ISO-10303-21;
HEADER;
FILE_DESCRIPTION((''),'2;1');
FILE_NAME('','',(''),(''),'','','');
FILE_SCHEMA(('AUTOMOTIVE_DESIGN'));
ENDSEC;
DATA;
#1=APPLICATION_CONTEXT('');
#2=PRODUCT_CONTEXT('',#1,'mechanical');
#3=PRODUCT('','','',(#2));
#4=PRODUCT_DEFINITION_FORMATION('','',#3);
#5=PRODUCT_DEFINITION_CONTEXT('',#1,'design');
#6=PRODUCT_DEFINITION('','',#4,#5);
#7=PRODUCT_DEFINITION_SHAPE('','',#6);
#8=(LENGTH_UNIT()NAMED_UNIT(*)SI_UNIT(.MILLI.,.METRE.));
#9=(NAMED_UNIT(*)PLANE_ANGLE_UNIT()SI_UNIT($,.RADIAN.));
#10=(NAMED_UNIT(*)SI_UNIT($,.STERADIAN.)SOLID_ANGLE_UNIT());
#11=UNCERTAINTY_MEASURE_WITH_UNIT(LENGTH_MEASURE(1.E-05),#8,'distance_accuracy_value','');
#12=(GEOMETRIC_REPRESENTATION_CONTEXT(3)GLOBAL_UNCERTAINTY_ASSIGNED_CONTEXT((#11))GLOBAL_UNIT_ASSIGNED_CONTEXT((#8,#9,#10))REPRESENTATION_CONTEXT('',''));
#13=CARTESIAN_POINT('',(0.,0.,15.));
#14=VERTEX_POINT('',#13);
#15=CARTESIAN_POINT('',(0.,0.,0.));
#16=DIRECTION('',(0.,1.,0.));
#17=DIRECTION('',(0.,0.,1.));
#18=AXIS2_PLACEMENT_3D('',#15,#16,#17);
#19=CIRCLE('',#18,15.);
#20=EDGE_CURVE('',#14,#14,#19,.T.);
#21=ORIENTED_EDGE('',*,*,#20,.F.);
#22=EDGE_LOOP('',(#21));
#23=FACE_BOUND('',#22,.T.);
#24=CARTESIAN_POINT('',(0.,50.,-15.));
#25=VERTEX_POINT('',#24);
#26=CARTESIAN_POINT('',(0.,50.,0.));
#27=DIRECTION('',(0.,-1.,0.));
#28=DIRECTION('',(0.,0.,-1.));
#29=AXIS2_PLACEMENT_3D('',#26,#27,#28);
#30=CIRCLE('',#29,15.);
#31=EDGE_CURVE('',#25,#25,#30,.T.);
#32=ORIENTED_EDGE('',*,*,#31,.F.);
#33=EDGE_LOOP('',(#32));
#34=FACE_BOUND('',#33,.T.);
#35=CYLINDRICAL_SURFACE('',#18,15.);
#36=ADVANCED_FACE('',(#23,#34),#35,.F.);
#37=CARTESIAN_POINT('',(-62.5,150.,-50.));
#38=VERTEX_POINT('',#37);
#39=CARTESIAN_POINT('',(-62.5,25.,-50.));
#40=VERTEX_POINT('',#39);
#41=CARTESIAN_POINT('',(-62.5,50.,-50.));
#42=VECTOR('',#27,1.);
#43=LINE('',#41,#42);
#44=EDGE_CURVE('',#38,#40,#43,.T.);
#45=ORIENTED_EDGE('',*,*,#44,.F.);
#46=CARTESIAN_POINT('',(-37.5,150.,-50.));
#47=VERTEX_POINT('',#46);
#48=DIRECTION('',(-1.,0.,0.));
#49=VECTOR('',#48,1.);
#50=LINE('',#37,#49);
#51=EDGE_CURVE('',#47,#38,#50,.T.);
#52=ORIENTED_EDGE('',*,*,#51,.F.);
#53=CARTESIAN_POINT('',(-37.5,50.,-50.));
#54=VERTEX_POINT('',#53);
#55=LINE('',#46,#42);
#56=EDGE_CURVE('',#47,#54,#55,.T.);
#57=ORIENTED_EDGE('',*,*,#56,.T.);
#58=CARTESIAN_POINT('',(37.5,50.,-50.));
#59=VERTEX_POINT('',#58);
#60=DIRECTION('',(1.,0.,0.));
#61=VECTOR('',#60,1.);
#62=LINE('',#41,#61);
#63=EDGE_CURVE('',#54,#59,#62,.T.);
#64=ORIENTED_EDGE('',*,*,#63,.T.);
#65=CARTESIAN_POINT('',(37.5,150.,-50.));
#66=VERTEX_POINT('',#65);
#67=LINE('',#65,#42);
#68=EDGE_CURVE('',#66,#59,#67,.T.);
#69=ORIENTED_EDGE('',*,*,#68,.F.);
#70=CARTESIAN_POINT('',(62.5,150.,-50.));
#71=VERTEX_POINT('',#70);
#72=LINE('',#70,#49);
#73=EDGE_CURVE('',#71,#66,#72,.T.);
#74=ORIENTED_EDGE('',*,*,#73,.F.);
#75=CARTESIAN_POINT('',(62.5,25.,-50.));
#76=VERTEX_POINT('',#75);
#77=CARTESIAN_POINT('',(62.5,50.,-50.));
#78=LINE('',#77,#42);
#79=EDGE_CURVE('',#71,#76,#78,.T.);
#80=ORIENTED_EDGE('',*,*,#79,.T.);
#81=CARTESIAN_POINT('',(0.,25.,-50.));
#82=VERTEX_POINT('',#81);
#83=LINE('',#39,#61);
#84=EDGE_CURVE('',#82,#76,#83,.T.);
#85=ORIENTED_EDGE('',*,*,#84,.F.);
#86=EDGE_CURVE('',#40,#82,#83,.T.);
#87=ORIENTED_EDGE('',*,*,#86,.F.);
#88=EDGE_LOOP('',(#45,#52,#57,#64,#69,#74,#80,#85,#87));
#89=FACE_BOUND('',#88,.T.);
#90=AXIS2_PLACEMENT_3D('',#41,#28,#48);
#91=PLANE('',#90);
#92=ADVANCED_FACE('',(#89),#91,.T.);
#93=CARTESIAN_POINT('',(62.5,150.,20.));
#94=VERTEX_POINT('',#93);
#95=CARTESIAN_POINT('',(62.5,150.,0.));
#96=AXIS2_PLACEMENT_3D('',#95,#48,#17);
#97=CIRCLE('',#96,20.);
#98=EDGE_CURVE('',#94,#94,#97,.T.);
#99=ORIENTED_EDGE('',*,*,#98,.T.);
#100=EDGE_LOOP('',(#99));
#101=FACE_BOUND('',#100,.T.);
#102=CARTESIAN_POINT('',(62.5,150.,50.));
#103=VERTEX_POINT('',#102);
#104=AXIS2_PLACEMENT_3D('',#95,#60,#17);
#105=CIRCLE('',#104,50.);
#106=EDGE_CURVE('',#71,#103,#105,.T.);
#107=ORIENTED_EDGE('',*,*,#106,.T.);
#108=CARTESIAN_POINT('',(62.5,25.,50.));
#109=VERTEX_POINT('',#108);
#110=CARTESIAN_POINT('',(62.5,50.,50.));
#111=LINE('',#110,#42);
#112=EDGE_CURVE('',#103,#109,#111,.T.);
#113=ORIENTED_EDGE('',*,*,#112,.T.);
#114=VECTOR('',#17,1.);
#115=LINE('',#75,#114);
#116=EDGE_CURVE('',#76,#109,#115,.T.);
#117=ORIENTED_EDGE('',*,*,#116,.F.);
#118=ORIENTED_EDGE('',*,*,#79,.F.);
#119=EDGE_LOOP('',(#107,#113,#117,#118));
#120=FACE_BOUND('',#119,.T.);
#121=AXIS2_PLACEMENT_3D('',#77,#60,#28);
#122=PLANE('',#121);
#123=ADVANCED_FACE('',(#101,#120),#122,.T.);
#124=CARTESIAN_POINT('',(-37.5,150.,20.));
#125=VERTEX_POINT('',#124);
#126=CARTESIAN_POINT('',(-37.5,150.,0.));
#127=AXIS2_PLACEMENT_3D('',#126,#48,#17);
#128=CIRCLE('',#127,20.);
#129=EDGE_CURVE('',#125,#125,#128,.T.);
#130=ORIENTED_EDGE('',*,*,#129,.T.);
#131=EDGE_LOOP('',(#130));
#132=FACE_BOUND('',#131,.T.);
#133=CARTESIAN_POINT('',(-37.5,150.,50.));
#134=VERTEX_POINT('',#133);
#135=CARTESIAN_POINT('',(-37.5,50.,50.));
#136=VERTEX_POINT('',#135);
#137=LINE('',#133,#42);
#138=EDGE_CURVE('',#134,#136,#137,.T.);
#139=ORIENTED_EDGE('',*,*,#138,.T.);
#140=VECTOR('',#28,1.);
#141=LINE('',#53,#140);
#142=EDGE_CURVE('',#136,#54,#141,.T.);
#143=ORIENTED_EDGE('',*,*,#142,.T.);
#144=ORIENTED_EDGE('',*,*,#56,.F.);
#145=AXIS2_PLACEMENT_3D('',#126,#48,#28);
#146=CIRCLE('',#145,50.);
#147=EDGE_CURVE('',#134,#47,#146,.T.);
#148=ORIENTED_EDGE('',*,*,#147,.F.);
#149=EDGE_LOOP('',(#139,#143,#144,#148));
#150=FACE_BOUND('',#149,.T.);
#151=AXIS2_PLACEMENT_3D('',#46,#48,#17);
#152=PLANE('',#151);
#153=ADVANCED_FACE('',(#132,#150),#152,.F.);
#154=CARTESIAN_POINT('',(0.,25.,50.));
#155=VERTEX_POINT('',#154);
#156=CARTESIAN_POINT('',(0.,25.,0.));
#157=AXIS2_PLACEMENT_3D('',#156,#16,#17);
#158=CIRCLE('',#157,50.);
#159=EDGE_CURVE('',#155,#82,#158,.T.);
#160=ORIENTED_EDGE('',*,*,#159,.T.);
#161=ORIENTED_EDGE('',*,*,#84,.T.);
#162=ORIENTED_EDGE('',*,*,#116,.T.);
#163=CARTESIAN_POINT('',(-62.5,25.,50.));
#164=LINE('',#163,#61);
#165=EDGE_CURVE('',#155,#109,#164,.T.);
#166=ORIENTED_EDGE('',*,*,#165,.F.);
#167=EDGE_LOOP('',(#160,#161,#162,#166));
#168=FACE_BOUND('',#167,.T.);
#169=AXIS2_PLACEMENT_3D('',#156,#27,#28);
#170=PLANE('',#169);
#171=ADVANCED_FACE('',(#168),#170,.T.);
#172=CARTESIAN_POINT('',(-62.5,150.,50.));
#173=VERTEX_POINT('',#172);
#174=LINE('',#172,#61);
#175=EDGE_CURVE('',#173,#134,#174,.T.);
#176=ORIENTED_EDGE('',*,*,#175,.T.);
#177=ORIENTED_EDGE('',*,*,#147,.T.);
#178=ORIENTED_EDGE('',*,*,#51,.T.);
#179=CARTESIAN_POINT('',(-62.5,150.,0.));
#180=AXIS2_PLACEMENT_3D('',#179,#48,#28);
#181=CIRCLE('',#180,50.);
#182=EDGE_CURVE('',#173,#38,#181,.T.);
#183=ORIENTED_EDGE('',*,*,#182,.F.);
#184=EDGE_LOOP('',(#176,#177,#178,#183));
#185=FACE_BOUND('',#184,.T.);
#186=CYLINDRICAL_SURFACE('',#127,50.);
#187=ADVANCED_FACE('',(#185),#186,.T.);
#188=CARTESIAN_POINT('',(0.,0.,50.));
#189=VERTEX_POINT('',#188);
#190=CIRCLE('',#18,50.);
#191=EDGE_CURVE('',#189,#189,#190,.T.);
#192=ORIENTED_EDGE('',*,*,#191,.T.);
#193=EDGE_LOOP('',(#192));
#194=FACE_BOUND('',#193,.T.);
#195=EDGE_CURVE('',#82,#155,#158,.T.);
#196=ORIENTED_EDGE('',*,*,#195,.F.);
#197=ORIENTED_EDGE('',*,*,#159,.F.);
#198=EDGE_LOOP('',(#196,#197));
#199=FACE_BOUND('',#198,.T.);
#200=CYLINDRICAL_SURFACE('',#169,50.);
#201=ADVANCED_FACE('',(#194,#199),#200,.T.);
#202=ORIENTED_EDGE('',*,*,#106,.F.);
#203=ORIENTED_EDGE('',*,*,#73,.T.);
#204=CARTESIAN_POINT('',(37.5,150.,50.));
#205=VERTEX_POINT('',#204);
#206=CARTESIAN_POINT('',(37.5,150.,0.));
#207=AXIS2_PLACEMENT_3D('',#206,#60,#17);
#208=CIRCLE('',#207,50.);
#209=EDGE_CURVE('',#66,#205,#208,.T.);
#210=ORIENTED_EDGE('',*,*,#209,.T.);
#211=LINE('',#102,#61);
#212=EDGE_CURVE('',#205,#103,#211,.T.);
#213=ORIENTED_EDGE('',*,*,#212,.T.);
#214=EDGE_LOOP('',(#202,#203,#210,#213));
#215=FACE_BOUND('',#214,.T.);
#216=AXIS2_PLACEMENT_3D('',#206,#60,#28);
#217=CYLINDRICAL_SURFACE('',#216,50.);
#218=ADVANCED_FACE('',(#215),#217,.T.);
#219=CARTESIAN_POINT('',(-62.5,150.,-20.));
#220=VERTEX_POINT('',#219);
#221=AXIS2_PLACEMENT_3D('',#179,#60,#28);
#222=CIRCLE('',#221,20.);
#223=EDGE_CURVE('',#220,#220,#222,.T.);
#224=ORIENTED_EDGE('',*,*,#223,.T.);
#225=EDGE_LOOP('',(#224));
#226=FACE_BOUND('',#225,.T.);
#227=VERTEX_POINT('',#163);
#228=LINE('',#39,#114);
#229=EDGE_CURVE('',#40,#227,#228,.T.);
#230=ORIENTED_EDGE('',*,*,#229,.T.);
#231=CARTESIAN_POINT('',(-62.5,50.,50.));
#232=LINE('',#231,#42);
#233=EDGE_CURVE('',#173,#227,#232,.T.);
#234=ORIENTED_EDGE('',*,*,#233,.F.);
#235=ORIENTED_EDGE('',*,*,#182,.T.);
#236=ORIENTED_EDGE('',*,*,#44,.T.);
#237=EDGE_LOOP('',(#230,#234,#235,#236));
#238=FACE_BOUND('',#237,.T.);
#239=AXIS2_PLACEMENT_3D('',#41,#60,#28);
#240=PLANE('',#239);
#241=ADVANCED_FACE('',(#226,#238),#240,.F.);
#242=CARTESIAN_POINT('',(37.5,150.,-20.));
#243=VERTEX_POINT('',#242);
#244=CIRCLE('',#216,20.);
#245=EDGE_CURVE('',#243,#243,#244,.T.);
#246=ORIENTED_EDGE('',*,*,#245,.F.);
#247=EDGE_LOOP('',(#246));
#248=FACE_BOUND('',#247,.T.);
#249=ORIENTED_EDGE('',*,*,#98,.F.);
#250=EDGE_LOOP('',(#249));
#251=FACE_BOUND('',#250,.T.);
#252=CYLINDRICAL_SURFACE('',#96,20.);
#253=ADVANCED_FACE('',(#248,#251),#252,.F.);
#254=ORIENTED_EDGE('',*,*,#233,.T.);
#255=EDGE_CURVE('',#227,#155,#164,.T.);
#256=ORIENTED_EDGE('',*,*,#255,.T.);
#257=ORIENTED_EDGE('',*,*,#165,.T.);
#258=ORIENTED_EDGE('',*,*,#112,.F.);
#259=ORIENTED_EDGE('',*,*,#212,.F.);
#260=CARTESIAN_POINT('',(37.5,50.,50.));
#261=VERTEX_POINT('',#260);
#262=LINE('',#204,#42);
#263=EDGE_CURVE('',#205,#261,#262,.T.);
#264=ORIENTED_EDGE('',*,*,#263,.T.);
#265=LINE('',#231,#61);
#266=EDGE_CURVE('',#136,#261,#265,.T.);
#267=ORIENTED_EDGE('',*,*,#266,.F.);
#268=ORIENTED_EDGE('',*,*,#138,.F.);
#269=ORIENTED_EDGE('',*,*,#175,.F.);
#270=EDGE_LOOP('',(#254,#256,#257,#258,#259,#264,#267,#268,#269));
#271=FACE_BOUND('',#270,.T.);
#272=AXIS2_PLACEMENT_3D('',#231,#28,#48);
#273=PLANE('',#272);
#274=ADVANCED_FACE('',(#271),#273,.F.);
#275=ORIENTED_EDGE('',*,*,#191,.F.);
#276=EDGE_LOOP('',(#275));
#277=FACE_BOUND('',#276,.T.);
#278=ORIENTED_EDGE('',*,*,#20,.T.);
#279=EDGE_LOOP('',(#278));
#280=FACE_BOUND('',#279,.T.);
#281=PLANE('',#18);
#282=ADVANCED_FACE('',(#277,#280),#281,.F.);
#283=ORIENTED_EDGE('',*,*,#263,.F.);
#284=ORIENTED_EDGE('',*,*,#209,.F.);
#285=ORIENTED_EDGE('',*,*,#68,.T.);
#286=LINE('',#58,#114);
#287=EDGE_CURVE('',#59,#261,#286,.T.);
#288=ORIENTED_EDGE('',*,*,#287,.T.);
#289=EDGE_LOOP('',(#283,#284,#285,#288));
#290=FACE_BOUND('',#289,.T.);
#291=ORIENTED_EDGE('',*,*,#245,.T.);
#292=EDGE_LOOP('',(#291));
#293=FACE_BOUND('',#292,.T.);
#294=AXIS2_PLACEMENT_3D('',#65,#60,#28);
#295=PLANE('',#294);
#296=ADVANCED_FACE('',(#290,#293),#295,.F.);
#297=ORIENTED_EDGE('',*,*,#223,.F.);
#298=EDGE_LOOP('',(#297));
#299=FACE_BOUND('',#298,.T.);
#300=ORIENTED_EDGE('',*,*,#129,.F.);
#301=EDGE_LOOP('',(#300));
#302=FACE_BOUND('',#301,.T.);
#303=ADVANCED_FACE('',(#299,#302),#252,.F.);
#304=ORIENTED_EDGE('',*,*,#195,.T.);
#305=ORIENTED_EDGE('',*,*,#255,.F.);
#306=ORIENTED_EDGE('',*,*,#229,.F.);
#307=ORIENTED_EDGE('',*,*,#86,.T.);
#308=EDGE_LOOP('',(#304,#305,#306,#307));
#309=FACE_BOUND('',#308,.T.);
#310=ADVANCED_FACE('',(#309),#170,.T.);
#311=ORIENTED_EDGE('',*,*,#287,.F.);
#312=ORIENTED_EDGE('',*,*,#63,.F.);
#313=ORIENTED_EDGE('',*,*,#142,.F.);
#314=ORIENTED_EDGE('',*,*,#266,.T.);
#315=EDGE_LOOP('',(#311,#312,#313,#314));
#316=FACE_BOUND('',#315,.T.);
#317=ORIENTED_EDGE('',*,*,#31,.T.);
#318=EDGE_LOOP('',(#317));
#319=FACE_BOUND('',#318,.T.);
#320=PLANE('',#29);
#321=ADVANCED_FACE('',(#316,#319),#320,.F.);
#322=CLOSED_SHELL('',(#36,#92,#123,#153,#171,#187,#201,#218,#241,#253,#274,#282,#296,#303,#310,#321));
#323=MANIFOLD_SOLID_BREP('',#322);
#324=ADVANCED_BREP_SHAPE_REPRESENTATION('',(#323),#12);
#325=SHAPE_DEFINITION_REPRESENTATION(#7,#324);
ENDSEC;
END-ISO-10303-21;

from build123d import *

# Parameters (mm, degrees)
SKETCH1_R               = 50
SKETCH1_R_2             = 37.5
BOSS_EXTRUDE3_DEPTH     = 25
SKETCH2_R               = 37.5
BOSS_EXTRUDE4_DEPTH     = 25
SKETCH3_W               = 125
SKETCH3_H               = 100
BOSS_EXTRUDE5_DEPTH     = 25
SKETCH4_W               = 25
SKETCH4_H               = 100
BOSS_EXTRUDE6_DEPTH     = 100
SKETCH5_W               = 25
SKETCH5_H               = 100
BOSS_EXTRUDE7_DEPTH     = 100
SKETCH7_R               = 15
CUT_EXTRUDE1_DEPTH      = 101
CUT_EXTRUDE1_DEPTH_BACK = 51
BOSS_EXTRUDE12_DEPTH    = 25
BOSS_EXTRUDE13_DEPTH    = 25
SKETCH14_R              = 20
CUT_EXTRUDE2_DEPTH      = 1
CUT_EXTRUDE2_DEPTH_BACK = 126


with BuildPart() as part:
    # Sketch1 → Boss-Extrude3 (new body)
    with BuildSketch(Plane(origin=(0, 0, 0), x_dir=(1, 0, 0), z_dir=(0, 1, 0))):
        Circle(SKETCH1_R)
        Circle(SKETCH1_R_2, mode=Mode.SUBTRACT)
    extrude(amount=BOSS_EXTRUDE3_DEPTH)

    # Sketch2 → Boss-Extrude4 (add)
    with BuildSketch(Plane.XZ):
        Circle(SKETCH2_R)
    extrude(amount=-BOSS_EXTRUDE4_DEPTH)

    # Sketch3 → Boss-Extrude5 (add)
    with BuildSketch(Plane(origin=(0, 25, 0), x_dir=(1, 0, 0), z_dir=(0, 1, 0))):
        Rectangle(SKETCH3_W, SKETCH3_H)
    extrude(amount=BOSS_EXTRUDE5_DEPTH)

    # Sketch4 → Boss-Extrude6 (add)
    with BuildSketch(Plane(origin=(0, 50, 0), x_dir=(1, 0, 0), z_dir=(0, 1, 0))):
        with Locations((-50, 0)):
            Rectangle(SKETCH4_W, SKETCH4_H)
    extrude(amount=BOSS_EXTRUDE6_DEPTH)

    # Sketch5 → Boss-Extrude7 (add)
    with BuildSketch(Plane(origin=(0, 50, 0), x_dir=(1, 0, 0), z_dir=(0, 1, 0))):
        with Locations((50, 0)):
            Rectangle(SKETCH5_W, SKETCH5_H)
    extrude(amount=BOSS_EXTRUDE7_DEPTH)

    # Sketch7 → Cut-Extrude1 (cut, two sides)
    with BuildSketch(Plane(origin=(0, 50, 0), x_dir=(1, 0, 0), z_dir=(0, 1, 0))) as cut_extrude1_sk:
        Circle(SKETCH7_R)
    extrude(amount=CUT_EXTRUDE1_DEPTH, mode=Mode.SUBTRACT)
    extrude(cut_extrude1_sk.sketch, amount=-CUT_EXTRUDE1_DEPTH_BACK, mode=Mode.SUBTRACT)

    # Sketch11 → Boss-Extrude12 (add)
    with BuildSketch(Plane(origin=(62.5, 0, 0), x_dir=(0, 0, -1), z_dir=(1, 0, 0))):
        with BuildLine():
            Line((-50, 25), (50, 25))
            Line((50, 25), (50, 150))
            ThreePointArc((50, 150), (0, 200), (-50, 150))
            Line((-50, 150), (-50, 25))
        make_face()
    extrude(amount=-BOSS_EXTRUDE12_DEPTH)

    # Sketch13 → Boss-Extrude13 (add)
    with BuildSketch(Plane.ZY.offset(62.5)):
        with BuildLine():
            Line((50, 150), (-50, 150))
            ThreePointArc((-50, 150), (0, 200), (50, 150))
        make_face()
    extrude(amount=-BOSS_EXTRUDE13_DEPTH)

    # Sketch14 → Cut-Extrude2 (cut, two sides)
    with BuildSketch(Plane.ZY.offset(62.5)) as cut_extrude2_sk:
        with Locations((0, 150)):
            Circle(SKETCH14_R)
    extrude(amount=CUT_EXTRUDE2_DEPTH, mode=Mode.SUBTRACT)
    extrude(cut_extrude2_sk.sketch, amount=-CUT_EXTRUDE2_DEPTH_BACK, mode=Mode.SUBTRACT)


solid = part.part
